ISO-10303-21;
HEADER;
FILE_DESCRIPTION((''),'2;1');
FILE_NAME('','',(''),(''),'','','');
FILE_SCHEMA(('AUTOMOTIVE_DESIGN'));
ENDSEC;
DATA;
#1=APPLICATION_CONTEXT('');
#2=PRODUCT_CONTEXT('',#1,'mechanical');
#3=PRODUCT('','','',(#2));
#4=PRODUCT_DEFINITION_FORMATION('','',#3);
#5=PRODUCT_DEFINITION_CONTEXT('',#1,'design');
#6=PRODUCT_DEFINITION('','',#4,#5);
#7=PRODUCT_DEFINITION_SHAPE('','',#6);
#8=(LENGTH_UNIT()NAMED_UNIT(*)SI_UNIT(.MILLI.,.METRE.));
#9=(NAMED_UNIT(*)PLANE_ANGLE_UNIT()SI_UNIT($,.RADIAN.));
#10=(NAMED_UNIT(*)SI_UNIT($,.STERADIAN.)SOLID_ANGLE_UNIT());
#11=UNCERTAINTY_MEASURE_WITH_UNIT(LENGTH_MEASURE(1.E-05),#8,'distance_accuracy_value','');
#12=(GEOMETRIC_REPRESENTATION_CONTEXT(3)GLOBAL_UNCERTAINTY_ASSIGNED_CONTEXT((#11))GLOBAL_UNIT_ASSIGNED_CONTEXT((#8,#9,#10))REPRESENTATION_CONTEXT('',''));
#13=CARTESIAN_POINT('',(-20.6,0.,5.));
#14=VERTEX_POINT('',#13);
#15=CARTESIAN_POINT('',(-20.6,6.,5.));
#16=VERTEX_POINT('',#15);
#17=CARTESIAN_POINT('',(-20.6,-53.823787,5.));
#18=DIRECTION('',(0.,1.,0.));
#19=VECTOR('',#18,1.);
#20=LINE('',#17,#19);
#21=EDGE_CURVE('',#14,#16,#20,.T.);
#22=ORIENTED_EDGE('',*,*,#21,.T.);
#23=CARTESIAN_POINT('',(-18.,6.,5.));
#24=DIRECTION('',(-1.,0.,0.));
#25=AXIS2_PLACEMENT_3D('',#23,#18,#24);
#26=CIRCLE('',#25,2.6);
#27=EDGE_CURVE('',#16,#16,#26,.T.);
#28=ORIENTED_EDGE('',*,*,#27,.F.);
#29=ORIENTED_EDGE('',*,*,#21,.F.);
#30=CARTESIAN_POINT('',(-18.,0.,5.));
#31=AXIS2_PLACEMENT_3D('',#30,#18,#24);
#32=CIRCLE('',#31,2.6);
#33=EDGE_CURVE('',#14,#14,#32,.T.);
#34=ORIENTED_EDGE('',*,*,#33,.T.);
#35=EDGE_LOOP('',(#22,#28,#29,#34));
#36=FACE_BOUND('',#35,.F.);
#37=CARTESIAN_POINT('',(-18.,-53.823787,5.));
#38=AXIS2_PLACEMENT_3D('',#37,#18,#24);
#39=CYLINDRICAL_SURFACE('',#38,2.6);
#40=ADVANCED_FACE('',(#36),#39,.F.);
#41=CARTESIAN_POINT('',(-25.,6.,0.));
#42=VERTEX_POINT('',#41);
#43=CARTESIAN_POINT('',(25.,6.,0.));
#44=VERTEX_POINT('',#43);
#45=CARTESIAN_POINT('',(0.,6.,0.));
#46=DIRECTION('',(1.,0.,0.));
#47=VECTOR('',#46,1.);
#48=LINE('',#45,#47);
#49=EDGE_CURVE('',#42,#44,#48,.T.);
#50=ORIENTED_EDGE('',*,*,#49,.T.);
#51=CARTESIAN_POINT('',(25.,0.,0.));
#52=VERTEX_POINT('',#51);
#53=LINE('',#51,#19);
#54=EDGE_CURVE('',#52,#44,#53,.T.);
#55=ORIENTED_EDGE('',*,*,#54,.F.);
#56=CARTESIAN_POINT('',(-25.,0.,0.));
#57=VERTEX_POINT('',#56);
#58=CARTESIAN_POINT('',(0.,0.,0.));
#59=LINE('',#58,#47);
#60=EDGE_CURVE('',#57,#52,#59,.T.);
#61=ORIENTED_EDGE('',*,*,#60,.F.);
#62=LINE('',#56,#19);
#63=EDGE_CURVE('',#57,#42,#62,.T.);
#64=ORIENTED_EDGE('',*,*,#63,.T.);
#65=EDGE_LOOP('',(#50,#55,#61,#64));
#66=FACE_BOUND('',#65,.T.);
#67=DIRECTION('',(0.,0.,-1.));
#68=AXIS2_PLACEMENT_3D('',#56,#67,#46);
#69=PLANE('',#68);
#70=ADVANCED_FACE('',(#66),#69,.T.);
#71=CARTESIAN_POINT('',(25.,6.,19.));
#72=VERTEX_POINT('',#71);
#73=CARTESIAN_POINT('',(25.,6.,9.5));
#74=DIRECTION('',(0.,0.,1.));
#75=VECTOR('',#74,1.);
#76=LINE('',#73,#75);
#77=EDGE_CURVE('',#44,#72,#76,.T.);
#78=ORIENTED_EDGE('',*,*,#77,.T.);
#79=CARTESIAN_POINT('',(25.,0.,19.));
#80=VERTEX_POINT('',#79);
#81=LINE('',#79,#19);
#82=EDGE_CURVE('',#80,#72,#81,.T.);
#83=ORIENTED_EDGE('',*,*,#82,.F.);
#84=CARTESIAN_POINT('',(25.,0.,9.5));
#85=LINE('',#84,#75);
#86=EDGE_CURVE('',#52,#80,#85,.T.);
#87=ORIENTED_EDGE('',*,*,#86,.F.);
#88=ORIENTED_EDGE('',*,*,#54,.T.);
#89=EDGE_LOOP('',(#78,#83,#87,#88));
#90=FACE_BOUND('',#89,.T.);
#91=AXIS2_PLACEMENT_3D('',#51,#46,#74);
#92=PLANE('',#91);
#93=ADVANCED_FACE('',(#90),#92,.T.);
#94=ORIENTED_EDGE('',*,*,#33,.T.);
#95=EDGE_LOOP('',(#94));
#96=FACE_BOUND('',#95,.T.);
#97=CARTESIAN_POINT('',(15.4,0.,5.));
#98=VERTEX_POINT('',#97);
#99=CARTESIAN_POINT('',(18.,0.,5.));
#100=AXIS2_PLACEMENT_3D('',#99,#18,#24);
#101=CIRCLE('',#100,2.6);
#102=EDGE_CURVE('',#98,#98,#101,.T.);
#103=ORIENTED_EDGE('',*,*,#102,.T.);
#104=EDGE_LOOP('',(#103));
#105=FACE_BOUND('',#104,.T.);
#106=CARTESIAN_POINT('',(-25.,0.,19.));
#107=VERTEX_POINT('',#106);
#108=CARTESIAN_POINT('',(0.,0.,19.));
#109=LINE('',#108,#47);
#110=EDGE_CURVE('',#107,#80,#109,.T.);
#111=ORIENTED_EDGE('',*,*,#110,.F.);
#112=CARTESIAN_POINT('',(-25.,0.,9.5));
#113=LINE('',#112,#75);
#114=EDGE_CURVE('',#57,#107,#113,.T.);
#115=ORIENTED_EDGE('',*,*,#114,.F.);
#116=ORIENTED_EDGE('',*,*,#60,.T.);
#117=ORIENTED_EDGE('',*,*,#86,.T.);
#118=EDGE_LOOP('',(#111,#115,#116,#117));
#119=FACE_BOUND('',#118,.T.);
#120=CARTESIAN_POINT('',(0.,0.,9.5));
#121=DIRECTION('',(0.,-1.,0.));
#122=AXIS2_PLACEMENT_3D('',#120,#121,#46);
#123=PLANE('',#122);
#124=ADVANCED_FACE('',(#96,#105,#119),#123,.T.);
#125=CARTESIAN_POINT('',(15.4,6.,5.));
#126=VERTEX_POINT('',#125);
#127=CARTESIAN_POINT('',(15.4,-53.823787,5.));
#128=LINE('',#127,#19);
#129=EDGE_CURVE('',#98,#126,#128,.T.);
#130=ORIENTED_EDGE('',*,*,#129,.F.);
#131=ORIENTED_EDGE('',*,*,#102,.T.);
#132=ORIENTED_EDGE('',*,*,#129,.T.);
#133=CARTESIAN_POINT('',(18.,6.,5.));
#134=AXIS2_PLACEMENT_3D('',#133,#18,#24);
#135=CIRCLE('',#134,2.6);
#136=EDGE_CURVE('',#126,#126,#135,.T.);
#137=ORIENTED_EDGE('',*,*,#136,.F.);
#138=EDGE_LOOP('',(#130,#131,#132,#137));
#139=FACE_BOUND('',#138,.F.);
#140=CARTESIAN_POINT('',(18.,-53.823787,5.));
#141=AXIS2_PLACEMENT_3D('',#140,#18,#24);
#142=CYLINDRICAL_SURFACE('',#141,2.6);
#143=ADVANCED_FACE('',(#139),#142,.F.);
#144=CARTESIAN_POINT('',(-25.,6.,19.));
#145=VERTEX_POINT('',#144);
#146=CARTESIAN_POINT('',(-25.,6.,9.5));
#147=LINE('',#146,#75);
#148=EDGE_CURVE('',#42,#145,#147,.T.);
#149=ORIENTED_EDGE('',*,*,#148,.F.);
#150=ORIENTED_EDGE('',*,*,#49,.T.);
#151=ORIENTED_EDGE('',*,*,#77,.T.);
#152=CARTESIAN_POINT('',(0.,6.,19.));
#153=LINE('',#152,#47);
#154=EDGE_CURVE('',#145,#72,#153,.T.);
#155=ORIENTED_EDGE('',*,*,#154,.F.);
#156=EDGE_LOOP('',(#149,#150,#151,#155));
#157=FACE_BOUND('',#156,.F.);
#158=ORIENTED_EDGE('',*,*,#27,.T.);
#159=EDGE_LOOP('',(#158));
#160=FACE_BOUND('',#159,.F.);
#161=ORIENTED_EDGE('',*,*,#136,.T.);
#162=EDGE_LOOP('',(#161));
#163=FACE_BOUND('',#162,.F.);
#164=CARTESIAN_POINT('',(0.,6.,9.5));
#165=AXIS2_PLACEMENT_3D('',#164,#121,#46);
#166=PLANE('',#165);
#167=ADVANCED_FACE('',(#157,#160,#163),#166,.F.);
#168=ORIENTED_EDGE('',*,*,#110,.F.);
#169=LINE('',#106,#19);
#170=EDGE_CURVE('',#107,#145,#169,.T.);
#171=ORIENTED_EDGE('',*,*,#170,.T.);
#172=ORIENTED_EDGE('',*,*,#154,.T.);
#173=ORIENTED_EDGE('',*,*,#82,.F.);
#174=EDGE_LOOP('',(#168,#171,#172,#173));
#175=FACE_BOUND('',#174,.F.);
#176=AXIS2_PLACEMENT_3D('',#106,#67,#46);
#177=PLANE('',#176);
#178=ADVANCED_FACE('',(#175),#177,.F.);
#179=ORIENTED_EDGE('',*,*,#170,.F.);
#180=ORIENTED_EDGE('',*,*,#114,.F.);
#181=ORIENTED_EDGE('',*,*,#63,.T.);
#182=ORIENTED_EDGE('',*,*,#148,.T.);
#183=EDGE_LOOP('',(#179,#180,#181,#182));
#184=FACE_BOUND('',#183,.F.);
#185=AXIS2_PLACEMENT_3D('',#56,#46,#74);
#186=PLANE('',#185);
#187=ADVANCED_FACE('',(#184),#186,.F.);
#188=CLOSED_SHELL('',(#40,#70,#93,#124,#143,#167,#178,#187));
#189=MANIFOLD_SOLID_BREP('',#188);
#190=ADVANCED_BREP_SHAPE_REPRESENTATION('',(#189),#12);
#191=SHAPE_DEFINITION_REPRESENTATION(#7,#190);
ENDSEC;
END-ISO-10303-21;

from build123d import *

# Parameters (mm, degrees)
F0_W     = 50
F0_H     = 19
F1_DEPTH = 6
F2_D     = 5.2


with BuildPart() as f1:
    # F0 (on Front) → F1 (new body)
    with BuildSketch(Plane.XZ):
        with Locations((0, 9.5)):
            Rectangle(F0_W, F0_H)
    extrude(amount=-F1_DEPTH)

    # F2 (through all)
    with Locations(Plane.XZ):
        with Locations((-18, 5), (18, 5)):
            Hole(F2_D / 2)


solid = f1.part
